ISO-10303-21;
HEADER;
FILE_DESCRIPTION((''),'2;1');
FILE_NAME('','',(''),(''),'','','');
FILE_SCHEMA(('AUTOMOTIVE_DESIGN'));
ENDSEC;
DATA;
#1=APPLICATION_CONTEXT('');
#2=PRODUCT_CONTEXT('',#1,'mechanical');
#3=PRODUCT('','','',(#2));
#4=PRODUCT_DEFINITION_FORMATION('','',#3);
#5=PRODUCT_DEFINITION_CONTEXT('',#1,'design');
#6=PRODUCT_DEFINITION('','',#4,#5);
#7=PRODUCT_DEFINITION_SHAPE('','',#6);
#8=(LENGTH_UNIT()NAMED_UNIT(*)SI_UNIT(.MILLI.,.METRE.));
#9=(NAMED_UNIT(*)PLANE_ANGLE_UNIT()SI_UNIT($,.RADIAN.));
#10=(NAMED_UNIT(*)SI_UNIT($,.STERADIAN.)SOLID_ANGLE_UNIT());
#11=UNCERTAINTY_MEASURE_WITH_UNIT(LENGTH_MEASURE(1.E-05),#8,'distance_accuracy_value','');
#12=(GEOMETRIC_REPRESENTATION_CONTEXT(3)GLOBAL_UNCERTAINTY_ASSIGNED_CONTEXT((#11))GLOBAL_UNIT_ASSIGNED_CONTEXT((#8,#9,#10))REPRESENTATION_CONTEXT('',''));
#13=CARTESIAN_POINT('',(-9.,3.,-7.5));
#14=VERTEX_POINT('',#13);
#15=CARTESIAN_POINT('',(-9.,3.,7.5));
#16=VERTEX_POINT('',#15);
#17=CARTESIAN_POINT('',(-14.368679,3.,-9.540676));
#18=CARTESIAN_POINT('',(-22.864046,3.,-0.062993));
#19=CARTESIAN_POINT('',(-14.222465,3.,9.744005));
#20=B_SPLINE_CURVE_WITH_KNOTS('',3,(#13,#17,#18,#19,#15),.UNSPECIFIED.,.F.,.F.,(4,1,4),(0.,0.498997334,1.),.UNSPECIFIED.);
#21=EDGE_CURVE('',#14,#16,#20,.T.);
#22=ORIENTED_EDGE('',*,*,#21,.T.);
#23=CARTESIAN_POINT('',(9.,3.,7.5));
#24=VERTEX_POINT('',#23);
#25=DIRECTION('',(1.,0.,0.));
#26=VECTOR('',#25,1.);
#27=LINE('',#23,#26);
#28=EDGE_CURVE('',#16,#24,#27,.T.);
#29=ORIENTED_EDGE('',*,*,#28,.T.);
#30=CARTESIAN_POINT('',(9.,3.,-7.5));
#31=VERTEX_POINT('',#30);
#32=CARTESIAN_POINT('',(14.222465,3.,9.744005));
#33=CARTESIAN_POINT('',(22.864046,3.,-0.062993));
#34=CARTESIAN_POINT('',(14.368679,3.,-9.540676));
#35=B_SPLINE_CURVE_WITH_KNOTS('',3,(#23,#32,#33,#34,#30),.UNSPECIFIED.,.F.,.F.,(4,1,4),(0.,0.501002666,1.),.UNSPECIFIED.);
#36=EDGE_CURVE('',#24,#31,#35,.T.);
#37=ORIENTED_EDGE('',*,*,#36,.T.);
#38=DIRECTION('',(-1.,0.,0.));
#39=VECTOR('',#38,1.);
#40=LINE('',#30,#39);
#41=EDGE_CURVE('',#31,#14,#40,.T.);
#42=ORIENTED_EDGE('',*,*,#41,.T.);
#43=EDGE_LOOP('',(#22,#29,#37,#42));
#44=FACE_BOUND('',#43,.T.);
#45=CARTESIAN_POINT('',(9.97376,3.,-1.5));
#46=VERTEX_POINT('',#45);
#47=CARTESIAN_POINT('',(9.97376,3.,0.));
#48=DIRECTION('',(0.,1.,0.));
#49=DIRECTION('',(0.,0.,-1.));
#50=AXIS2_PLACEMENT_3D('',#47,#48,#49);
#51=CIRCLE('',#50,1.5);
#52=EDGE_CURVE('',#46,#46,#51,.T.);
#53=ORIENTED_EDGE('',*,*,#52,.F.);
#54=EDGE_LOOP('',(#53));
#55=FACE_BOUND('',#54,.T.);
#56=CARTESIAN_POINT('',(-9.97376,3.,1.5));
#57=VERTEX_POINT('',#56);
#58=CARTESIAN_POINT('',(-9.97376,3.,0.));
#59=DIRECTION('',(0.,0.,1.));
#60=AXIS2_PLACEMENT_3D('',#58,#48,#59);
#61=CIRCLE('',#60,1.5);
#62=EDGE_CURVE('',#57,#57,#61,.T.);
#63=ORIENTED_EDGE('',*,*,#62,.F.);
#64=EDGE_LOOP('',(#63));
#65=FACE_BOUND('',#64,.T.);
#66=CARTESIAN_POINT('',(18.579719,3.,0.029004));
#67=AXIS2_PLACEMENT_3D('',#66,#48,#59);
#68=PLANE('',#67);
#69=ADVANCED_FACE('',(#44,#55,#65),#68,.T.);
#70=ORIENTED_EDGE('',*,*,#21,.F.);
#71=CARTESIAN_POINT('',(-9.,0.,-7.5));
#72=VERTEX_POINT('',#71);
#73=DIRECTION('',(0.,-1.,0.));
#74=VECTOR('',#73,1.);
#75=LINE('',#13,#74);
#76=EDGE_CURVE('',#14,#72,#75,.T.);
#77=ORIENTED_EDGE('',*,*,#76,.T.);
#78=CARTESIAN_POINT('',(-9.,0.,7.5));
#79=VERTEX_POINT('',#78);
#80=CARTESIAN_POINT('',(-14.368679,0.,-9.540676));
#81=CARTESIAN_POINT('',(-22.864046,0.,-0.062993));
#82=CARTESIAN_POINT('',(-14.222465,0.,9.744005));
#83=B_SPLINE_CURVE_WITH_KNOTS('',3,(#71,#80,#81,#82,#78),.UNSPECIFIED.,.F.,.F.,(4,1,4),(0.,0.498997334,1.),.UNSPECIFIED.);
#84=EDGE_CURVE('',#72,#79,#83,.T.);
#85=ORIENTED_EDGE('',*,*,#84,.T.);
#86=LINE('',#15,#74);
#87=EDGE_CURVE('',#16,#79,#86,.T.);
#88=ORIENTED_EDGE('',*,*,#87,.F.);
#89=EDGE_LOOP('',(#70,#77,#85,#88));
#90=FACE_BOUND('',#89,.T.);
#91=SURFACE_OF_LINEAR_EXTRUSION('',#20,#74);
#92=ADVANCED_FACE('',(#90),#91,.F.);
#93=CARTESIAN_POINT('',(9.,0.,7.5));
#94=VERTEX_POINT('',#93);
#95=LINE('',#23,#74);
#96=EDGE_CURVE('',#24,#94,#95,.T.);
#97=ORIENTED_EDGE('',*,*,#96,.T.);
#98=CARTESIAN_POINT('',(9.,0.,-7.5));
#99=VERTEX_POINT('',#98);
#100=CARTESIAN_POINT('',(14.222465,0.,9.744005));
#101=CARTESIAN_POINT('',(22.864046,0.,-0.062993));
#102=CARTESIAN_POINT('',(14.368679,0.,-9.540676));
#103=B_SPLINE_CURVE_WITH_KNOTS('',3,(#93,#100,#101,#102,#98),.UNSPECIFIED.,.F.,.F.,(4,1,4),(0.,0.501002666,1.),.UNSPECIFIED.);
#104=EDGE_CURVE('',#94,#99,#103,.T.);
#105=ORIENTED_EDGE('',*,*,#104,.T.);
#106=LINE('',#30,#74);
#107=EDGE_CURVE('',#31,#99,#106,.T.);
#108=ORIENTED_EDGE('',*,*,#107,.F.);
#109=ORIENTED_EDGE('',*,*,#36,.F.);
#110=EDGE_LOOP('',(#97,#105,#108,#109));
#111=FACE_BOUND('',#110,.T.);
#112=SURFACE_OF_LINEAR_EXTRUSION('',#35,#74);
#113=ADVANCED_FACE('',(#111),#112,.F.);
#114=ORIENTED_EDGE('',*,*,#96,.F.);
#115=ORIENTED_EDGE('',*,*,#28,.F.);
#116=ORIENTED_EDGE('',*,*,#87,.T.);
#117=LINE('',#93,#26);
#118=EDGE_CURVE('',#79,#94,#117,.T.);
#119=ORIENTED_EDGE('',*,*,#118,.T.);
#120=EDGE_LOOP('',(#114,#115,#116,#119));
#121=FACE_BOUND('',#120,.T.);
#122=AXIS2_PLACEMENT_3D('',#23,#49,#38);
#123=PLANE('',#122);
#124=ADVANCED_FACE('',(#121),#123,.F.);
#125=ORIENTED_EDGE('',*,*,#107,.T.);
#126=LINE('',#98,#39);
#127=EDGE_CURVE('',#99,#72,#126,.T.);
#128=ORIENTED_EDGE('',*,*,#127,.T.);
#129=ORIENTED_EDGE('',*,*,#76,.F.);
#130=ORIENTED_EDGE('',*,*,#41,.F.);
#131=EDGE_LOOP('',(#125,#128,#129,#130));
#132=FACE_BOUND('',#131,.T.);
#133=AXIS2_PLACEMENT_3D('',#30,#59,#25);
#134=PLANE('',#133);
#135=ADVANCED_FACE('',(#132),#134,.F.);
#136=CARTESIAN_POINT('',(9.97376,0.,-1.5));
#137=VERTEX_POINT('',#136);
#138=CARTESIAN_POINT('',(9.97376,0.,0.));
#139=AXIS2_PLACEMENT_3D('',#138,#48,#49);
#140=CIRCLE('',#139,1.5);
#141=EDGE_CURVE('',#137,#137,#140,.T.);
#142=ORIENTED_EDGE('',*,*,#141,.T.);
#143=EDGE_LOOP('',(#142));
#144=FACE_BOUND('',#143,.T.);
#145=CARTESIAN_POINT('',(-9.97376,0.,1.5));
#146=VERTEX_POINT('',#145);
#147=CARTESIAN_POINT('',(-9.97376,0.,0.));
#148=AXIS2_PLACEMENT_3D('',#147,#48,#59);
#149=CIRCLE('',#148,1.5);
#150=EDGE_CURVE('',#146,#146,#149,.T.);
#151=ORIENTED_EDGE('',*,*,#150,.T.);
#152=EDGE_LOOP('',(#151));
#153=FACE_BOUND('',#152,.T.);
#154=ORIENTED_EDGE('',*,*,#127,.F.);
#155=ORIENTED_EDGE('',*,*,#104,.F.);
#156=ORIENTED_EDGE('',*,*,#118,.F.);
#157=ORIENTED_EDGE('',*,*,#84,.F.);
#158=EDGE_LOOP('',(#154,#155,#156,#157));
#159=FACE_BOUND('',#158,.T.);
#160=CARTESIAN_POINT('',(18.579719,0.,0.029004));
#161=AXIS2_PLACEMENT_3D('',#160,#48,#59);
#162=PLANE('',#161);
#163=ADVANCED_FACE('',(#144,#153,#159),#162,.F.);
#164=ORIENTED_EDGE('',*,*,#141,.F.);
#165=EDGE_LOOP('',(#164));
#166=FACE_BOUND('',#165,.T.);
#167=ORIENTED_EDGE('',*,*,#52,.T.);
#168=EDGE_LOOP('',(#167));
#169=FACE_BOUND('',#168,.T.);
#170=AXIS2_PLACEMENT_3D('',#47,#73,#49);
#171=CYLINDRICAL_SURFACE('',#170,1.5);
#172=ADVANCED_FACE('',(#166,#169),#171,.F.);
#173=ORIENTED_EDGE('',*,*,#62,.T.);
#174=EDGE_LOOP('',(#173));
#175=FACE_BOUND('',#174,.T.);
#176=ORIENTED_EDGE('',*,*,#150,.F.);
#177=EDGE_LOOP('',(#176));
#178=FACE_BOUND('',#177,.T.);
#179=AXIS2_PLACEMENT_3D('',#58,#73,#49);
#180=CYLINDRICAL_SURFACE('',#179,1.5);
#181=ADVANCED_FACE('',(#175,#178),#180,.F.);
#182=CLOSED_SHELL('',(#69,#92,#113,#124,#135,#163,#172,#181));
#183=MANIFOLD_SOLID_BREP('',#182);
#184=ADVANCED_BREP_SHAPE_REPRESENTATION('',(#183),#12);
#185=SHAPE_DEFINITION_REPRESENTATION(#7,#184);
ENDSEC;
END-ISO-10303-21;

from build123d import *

# Parameters (mm, degrees)
ESQUISSE2_R        = 1.5
BOSS_EXTRU_1_DEPTH = 3


with BuildPart() as part:
    # Esquisse2 → Boss.-Extru.1 (new body)
    with BuildSketch(Plane(origin=(0, 0, 0), x_dir=(1, 0, 0), z_dir=(0, 1, 0))):
        with BuildLine():
            Line((9, 7.5), (-9, 7.5))
            add(Edge.make_bspline(
                [(-9, 7.5), (-14.368679203, 9.540675776), (-22.864046294, 0.062993), (-14.222464977, -9.74400485), (-9, -7.5)],
                knots=[0, 0, 0, 0, 0.498997334, 1, 1, 1, 1], degree=3))
            Line((-9, -7.5), (9, -7.5))
            add(Edge.make_bspline(
                [(9, 7.5), (14.368679203, 9.540675776), (22.864046294, 0.062993), (14.222464977, -9.74400485), (9, -7.5)],
                knots=[0, 0, 0, 0, 0.498997334, 1, 1, 1, 1], degree=3))
        make_face()
        with Locations(Location((-9.973759583, 0, 0), (0, 0, 270))):
            Circle(ESQUISSE2_R, mode=Mode.SUBTRACT)
        with Locations(Location((9.973759583, 0, 0), (0, 0, 90))):
            Circle(ESQUISSE2_R, mode=Mode.SUBTRACT)
    extrude(amount=BOSS_EXTRU_1_DEPTH)


solid = part.part
